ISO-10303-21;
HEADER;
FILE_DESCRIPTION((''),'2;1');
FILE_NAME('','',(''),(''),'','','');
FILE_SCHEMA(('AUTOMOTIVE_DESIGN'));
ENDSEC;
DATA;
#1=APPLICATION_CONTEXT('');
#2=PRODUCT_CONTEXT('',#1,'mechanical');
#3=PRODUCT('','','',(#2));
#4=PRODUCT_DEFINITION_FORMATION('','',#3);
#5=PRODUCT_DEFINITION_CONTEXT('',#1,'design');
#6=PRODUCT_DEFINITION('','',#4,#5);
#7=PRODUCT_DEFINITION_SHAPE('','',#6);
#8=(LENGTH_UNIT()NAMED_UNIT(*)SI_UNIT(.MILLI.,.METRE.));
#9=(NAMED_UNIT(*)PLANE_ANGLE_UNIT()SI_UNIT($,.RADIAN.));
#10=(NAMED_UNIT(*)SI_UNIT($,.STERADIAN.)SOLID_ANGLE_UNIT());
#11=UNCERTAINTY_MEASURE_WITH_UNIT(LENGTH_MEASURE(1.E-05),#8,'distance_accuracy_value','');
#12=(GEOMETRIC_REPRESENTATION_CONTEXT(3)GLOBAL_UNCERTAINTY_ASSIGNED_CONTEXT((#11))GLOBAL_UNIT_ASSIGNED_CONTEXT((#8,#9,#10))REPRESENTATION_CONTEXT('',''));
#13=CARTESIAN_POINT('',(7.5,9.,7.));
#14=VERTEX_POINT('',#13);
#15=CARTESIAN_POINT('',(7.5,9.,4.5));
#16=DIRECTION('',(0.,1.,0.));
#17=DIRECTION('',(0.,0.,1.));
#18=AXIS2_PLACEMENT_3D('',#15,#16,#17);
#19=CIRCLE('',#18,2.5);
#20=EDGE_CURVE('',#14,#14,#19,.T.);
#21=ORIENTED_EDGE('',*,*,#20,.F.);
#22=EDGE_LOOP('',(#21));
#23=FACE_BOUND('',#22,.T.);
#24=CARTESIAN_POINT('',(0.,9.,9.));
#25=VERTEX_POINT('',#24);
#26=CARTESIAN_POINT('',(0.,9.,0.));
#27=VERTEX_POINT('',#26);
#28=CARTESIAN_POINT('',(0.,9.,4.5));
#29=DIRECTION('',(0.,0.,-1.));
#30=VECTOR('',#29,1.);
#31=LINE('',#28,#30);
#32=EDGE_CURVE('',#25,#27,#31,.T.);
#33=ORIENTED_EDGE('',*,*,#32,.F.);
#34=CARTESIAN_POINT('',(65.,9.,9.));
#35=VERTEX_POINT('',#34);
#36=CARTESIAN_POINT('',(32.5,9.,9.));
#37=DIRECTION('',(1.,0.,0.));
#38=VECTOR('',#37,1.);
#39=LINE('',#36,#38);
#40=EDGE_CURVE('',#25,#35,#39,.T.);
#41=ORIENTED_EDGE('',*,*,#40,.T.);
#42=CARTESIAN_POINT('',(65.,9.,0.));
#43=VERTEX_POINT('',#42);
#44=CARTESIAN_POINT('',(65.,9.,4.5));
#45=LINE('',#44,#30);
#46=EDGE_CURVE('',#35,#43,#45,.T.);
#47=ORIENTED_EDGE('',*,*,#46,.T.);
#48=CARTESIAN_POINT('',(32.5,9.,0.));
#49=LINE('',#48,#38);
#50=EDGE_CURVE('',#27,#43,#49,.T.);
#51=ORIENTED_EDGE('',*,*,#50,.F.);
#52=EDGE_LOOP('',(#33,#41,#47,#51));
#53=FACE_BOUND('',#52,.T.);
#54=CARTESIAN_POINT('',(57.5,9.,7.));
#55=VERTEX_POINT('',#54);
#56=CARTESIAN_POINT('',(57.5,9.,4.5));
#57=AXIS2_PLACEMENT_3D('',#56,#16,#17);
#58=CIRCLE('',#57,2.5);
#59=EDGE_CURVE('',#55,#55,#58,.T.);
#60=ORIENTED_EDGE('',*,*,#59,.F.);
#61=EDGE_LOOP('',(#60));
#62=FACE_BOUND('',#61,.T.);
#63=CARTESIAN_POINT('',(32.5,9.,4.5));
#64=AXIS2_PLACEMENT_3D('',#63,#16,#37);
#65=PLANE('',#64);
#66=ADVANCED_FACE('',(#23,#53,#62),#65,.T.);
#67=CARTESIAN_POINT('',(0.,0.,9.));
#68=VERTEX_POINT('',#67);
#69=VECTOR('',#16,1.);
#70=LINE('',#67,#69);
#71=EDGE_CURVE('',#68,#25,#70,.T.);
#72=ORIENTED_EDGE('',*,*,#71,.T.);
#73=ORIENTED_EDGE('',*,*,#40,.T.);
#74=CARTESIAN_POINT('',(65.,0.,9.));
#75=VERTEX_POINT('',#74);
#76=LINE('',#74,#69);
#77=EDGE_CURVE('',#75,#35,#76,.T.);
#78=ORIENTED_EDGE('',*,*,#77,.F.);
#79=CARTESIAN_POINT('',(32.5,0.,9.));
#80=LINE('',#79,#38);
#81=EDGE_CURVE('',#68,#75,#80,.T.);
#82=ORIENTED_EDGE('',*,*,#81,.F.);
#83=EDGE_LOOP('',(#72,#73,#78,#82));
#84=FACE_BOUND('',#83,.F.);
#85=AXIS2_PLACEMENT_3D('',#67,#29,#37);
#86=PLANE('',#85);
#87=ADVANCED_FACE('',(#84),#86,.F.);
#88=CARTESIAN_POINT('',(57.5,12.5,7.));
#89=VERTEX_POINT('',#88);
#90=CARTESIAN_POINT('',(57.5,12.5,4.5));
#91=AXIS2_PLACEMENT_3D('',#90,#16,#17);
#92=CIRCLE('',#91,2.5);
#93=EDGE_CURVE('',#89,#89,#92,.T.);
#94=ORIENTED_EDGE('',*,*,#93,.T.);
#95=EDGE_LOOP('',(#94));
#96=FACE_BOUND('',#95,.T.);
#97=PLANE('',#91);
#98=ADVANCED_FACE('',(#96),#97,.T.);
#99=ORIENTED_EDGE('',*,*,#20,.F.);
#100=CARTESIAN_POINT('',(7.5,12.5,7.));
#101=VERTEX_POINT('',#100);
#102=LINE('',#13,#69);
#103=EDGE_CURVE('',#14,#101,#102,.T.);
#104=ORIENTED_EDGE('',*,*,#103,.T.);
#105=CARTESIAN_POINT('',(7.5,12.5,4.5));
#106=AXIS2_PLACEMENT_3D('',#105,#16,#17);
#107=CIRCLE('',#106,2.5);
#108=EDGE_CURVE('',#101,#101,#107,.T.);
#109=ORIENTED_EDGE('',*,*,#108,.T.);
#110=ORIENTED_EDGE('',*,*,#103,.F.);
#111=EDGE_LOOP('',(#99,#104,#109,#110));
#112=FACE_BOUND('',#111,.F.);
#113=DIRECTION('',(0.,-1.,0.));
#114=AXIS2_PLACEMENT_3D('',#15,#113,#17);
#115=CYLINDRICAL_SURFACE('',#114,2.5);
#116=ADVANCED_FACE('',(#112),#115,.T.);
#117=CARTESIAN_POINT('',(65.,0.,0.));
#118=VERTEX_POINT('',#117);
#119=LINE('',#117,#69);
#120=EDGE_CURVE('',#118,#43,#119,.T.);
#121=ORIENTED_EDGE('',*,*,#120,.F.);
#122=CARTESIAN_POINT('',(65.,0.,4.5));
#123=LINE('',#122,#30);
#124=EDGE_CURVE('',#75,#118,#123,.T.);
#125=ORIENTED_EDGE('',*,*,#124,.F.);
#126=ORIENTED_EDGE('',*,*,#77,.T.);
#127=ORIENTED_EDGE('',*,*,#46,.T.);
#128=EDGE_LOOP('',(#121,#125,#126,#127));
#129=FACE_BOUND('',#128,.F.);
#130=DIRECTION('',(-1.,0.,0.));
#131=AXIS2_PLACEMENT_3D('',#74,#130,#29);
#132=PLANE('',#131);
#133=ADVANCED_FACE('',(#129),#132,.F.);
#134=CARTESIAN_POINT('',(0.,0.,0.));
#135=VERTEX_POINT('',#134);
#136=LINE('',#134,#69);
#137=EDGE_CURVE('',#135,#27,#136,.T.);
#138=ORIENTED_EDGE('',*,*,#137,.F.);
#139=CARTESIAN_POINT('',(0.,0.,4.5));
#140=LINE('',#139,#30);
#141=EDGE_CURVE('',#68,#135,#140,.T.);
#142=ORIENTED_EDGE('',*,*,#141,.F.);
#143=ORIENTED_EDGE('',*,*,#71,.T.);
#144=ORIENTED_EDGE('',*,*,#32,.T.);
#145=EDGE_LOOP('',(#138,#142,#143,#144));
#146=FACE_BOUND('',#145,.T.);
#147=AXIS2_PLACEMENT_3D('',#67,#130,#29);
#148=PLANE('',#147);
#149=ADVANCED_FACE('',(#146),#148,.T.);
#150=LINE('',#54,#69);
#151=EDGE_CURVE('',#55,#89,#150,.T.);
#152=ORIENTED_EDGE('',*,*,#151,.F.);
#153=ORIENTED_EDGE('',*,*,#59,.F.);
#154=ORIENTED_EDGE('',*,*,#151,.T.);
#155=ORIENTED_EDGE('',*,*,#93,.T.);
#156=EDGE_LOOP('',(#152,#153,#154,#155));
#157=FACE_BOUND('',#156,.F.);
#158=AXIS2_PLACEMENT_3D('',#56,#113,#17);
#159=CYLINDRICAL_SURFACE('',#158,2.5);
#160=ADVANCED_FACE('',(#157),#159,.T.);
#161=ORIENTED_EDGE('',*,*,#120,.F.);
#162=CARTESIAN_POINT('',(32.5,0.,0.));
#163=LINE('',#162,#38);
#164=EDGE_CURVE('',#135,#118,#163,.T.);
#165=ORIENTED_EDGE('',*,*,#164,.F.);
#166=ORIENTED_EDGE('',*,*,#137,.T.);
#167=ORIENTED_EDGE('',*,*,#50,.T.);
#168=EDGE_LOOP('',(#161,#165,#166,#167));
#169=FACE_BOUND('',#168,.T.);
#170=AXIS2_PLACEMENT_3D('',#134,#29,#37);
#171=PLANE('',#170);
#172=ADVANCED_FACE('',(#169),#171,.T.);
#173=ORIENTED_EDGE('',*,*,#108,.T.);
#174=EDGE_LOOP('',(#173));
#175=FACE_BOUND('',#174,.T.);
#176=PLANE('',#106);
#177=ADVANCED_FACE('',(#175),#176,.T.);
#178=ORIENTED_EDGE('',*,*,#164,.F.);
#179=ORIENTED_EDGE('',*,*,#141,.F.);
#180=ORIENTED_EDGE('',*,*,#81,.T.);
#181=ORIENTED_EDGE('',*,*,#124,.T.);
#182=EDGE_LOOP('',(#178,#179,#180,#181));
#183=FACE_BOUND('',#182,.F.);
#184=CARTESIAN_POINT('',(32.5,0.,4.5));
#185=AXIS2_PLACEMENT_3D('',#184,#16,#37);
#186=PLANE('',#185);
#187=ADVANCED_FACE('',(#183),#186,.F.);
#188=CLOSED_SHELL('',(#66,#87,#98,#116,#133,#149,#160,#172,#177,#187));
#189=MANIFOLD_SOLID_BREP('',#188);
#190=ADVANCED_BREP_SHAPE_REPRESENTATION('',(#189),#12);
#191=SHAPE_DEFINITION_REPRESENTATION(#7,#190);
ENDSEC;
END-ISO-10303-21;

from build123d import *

# Parameters (mm, degrees)
SKETCH1_W           = 65
SKETCH1_H           = 9
BOSS_EXTRUDE1_DEPTH = 9
SKETCH2_R           = 2.5
BOSS_EXTRUDE2_DEPTH = 3.5


with BuildPart() as part:
    # Sketch1 → Boss-Extrude1 (new body)
    with BuildSketch(Plane(origin=(0, 0, 0), x_dir=(1, 0, 0), z_dir=(0, 1, 0))):
        with Locations((32.5, -4.5)):
            Rectangle(SKETCH1_W, SKETCH1_H)
    extrude(amount=BOSS_EXTRUDE1_DEPTH)

    # Sketch2 → Boss-Extrude2 (add)
    with BuildSketch(Plane(origin=(0, 9, 0), x_dir=(1, 0, 0), z_dir=(0, 1, 0))):
        with Locations(Location((7.5, -4.5, 0), (0, 0, 270))):  # turned: the seam where the file's is
            Circle(SKETCH2_R)
        with Locations(Location((57.5, -4.5, 0), (0, 0, 270))):  # turned: the seam where the file's is
            Circle(SKETCH2_R)
    extrude(amount=BOSS_EXTRUDE2_DEPTH)


solid = part.part
